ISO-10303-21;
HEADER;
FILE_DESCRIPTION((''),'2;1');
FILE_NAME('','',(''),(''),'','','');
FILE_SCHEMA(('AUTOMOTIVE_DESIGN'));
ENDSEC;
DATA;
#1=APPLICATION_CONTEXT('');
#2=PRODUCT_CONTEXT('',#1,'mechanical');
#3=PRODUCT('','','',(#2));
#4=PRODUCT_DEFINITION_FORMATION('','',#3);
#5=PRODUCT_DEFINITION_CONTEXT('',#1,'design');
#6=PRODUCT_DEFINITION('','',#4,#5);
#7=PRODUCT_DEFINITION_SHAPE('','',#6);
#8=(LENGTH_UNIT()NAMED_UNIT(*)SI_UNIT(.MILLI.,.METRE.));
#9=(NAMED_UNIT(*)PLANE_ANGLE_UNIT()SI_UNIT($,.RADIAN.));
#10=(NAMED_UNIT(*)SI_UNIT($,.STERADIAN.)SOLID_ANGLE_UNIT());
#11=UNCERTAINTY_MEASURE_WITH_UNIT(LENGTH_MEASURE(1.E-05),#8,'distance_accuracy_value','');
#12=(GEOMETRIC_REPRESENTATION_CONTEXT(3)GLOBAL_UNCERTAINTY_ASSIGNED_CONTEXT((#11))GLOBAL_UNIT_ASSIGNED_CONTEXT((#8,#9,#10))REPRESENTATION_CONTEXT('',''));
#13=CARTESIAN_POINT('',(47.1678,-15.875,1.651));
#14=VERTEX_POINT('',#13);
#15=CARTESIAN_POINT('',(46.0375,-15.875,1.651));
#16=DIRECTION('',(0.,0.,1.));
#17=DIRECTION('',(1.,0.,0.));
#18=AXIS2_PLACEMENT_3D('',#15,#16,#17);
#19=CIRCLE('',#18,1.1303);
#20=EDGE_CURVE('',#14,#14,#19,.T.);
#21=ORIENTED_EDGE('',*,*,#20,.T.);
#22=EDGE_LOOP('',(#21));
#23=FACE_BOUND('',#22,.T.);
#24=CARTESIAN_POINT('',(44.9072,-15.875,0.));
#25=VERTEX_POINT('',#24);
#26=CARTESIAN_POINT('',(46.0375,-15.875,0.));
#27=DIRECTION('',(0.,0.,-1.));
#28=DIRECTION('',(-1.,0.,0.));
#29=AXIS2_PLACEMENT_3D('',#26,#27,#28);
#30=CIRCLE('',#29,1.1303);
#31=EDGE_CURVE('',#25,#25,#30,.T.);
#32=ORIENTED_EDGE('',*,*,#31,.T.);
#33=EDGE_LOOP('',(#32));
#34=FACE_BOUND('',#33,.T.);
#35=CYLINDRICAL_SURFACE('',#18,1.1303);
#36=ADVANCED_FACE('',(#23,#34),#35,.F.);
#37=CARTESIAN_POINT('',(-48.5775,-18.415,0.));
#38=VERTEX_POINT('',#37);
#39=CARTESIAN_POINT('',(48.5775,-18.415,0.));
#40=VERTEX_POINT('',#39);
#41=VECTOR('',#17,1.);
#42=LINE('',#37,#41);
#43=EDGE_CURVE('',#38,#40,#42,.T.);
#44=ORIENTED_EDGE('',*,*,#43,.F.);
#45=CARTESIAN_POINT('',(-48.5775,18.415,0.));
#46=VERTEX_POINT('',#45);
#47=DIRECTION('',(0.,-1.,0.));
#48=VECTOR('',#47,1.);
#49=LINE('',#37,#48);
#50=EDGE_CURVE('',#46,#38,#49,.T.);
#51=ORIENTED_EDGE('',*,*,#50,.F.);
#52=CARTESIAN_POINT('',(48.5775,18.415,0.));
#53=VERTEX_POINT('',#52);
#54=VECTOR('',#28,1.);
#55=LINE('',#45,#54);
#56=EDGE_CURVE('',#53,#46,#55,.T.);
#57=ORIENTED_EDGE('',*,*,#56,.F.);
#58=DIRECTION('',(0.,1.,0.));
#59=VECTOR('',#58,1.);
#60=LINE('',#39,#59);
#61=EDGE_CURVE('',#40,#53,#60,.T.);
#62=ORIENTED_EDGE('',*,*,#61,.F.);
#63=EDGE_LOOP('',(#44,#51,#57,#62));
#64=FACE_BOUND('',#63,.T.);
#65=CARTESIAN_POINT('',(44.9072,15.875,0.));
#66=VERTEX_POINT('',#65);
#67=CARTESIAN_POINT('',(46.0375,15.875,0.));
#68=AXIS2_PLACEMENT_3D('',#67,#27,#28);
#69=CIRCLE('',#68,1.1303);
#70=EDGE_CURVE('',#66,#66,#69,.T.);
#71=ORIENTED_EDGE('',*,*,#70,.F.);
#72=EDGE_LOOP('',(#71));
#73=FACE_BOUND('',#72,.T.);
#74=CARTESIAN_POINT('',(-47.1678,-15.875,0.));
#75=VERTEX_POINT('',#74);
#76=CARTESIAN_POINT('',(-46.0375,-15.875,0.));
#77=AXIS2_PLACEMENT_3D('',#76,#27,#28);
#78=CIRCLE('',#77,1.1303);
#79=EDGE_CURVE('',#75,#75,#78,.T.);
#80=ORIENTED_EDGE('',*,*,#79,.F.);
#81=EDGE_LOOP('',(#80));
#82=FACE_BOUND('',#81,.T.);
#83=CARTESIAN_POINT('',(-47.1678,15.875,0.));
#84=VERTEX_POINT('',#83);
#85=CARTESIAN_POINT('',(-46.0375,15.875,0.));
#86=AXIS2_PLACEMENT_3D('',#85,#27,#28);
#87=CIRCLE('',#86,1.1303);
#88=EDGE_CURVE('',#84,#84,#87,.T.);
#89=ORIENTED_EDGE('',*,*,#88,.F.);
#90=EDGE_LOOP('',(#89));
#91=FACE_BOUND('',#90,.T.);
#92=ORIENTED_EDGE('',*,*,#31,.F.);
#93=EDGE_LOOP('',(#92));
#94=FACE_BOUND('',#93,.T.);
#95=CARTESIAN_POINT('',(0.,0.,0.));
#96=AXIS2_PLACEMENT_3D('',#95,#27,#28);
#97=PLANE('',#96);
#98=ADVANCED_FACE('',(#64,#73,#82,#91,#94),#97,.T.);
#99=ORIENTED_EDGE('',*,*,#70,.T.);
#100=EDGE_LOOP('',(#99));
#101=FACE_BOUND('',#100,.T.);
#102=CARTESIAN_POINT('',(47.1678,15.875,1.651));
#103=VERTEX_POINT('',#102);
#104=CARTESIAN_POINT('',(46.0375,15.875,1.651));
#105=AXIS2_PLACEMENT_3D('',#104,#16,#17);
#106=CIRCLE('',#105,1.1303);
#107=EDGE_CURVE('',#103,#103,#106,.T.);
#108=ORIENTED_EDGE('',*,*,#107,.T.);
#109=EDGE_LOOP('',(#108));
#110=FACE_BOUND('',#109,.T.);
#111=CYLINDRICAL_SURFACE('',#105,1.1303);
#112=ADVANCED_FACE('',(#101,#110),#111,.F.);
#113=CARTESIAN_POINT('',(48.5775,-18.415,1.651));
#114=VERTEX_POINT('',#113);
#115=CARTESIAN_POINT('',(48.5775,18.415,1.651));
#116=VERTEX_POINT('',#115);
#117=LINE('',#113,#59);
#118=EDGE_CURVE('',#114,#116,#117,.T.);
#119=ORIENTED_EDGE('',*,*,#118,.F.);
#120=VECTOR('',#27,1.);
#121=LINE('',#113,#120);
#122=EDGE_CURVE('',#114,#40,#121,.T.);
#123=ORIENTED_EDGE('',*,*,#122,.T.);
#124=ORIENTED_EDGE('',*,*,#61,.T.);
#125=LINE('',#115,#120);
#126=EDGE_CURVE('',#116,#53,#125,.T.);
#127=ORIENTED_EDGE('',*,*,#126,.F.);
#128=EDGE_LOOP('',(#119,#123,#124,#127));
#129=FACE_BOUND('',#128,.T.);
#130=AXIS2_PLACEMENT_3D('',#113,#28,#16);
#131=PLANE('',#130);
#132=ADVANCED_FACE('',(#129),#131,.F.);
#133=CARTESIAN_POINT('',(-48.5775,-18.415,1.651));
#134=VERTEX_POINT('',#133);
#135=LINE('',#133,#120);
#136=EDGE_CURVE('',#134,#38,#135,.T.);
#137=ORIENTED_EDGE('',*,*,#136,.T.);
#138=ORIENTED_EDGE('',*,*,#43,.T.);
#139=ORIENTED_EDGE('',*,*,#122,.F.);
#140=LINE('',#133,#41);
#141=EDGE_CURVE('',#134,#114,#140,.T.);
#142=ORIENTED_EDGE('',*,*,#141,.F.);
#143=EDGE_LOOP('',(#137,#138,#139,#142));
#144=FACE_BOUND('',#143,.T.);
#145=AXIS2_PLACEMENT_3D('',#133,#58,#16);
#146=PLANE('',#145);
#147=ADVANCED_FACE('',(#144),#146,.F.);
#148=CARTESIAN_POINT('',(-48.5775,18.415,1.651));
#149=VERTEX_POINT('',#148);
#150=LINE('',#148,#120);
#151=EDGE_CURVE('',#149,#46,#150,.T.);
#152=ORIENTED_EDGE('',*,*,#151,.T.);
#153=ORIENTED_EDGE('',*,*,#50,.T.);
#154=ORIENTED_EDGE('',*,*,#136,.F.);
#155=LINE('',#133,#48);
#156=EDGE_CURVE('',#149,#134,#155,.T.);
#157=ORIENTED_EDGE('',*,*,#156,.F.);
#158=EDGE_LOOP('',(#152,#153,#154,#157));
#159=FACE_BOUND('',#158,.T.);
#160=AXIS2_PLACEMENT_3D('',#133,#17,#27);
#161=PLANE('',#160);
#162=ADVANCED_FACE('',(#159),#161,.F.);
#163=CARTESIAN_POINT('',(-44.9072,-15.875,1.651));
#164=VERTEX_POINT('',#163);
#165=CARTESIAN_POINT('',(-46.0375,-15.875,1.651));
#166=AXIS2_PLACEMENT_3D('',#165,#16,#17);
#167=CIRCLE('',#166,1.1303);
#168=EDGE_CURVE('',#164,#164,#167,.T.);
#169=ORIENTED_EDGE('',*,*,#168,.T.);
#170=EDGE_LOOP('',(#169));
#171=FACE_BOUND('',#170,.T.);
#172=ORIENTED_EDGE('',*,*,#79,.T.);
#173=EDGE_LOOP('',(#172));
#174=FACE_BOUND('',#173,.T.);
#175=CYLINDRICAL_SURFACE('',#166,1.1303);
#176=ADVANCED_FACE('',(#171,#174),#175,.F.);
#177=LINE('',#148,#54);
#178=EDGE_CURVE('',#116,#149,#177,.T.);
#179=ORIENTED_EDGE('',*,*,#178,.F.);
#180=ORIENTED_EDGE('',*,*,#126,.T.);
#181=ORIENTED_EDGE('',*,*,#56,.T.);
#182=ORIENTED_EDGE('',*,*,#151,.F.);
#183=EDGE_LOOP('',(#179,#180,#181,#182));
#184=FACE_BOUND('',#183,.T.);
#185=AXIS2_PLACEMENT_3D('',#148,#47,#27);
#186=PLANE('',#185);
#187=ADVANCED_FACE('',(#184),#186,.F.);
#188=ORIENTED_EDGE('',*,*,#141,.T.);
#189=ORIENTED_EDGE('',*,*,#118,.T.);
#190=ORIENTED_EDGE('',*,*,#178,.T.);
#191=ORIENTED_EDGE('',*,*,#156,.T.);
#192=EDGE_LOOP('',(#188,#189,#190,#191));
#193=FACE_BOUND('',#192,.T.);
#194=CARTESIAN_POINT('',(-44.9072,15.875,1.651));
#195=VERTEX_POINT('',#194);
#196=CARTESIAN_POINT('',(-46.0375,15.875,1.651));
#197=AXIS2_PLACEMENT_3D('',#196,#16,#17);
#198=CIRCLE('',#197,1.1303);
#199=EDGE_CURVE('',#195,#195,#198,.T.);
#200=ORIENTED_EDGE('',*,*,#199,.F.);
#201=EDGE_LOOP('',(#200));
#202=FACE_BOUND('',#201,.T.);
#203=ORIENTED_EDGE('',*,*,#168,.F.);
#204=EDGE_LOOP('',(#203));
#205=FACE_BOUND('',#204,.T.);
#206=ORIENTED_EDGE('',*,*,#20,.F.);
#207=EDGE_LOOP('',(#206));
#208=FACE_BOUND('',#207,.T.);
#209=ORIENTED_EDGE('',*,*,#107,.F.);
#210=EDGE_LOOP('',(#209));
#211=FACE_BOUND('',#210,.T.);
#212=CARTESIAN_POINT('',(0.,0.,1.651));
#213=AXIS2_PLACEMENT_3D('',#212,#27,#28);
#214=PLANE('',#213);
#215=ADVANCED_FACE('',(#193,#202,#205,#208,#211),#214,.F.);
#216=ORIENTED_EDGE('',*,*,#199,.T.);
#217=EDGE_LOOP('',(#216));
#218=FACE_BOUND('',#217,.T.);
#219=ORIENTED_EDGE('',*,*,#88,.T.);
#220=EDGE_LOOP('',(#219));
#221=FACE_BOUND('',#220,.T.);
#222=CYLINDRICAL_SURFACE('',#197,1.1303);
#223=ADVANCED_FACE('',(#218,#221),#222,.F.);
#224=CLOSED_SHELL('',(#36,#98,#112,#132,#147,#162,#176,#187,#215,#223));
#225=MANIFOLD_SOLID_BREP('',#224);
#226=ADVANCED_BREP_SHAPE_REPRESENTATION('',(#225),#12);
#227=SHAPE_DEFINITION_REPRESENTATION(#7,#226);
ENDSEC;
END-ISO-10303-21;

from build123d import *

# Parameters (mm, degrees)
SKETCH1_W                     = 97.155
SKETCH1_H                     = 36.83
BOSS_EXTRUDE1_DEPTH           = 1.651
TAP_DRILL_FOR_4_40_TAP1_D     = 2.2606
TAP_DRILL_FOR_4_40_TAP1_DEPTH = 12.7


with BuildPart() as part:
    # Sketch1 → Boss-Extrude1 (new body)
    with BuildSketch(Plane.XY):
        Rectangle(SKETCH1_W, SKETCH1_H)
    extrude(amount=BOSS_EXTRUDE1_DEPTH)

    # Tap Drill for #4-40 Tap1
    with Locations(Plane.XY.offset(1.651)):
        with Locations((-46.0375, 15.875), (-46.0375, -15.875), (46.0375, -15.875), (46.0375, 15.875)):
            Hole(TAP_DRILL_FOR_4_40_TAP1_D / 2, depth=TAP_DRILL_FOR_4_40_TAP1_DEPTH)


solid = part.part
